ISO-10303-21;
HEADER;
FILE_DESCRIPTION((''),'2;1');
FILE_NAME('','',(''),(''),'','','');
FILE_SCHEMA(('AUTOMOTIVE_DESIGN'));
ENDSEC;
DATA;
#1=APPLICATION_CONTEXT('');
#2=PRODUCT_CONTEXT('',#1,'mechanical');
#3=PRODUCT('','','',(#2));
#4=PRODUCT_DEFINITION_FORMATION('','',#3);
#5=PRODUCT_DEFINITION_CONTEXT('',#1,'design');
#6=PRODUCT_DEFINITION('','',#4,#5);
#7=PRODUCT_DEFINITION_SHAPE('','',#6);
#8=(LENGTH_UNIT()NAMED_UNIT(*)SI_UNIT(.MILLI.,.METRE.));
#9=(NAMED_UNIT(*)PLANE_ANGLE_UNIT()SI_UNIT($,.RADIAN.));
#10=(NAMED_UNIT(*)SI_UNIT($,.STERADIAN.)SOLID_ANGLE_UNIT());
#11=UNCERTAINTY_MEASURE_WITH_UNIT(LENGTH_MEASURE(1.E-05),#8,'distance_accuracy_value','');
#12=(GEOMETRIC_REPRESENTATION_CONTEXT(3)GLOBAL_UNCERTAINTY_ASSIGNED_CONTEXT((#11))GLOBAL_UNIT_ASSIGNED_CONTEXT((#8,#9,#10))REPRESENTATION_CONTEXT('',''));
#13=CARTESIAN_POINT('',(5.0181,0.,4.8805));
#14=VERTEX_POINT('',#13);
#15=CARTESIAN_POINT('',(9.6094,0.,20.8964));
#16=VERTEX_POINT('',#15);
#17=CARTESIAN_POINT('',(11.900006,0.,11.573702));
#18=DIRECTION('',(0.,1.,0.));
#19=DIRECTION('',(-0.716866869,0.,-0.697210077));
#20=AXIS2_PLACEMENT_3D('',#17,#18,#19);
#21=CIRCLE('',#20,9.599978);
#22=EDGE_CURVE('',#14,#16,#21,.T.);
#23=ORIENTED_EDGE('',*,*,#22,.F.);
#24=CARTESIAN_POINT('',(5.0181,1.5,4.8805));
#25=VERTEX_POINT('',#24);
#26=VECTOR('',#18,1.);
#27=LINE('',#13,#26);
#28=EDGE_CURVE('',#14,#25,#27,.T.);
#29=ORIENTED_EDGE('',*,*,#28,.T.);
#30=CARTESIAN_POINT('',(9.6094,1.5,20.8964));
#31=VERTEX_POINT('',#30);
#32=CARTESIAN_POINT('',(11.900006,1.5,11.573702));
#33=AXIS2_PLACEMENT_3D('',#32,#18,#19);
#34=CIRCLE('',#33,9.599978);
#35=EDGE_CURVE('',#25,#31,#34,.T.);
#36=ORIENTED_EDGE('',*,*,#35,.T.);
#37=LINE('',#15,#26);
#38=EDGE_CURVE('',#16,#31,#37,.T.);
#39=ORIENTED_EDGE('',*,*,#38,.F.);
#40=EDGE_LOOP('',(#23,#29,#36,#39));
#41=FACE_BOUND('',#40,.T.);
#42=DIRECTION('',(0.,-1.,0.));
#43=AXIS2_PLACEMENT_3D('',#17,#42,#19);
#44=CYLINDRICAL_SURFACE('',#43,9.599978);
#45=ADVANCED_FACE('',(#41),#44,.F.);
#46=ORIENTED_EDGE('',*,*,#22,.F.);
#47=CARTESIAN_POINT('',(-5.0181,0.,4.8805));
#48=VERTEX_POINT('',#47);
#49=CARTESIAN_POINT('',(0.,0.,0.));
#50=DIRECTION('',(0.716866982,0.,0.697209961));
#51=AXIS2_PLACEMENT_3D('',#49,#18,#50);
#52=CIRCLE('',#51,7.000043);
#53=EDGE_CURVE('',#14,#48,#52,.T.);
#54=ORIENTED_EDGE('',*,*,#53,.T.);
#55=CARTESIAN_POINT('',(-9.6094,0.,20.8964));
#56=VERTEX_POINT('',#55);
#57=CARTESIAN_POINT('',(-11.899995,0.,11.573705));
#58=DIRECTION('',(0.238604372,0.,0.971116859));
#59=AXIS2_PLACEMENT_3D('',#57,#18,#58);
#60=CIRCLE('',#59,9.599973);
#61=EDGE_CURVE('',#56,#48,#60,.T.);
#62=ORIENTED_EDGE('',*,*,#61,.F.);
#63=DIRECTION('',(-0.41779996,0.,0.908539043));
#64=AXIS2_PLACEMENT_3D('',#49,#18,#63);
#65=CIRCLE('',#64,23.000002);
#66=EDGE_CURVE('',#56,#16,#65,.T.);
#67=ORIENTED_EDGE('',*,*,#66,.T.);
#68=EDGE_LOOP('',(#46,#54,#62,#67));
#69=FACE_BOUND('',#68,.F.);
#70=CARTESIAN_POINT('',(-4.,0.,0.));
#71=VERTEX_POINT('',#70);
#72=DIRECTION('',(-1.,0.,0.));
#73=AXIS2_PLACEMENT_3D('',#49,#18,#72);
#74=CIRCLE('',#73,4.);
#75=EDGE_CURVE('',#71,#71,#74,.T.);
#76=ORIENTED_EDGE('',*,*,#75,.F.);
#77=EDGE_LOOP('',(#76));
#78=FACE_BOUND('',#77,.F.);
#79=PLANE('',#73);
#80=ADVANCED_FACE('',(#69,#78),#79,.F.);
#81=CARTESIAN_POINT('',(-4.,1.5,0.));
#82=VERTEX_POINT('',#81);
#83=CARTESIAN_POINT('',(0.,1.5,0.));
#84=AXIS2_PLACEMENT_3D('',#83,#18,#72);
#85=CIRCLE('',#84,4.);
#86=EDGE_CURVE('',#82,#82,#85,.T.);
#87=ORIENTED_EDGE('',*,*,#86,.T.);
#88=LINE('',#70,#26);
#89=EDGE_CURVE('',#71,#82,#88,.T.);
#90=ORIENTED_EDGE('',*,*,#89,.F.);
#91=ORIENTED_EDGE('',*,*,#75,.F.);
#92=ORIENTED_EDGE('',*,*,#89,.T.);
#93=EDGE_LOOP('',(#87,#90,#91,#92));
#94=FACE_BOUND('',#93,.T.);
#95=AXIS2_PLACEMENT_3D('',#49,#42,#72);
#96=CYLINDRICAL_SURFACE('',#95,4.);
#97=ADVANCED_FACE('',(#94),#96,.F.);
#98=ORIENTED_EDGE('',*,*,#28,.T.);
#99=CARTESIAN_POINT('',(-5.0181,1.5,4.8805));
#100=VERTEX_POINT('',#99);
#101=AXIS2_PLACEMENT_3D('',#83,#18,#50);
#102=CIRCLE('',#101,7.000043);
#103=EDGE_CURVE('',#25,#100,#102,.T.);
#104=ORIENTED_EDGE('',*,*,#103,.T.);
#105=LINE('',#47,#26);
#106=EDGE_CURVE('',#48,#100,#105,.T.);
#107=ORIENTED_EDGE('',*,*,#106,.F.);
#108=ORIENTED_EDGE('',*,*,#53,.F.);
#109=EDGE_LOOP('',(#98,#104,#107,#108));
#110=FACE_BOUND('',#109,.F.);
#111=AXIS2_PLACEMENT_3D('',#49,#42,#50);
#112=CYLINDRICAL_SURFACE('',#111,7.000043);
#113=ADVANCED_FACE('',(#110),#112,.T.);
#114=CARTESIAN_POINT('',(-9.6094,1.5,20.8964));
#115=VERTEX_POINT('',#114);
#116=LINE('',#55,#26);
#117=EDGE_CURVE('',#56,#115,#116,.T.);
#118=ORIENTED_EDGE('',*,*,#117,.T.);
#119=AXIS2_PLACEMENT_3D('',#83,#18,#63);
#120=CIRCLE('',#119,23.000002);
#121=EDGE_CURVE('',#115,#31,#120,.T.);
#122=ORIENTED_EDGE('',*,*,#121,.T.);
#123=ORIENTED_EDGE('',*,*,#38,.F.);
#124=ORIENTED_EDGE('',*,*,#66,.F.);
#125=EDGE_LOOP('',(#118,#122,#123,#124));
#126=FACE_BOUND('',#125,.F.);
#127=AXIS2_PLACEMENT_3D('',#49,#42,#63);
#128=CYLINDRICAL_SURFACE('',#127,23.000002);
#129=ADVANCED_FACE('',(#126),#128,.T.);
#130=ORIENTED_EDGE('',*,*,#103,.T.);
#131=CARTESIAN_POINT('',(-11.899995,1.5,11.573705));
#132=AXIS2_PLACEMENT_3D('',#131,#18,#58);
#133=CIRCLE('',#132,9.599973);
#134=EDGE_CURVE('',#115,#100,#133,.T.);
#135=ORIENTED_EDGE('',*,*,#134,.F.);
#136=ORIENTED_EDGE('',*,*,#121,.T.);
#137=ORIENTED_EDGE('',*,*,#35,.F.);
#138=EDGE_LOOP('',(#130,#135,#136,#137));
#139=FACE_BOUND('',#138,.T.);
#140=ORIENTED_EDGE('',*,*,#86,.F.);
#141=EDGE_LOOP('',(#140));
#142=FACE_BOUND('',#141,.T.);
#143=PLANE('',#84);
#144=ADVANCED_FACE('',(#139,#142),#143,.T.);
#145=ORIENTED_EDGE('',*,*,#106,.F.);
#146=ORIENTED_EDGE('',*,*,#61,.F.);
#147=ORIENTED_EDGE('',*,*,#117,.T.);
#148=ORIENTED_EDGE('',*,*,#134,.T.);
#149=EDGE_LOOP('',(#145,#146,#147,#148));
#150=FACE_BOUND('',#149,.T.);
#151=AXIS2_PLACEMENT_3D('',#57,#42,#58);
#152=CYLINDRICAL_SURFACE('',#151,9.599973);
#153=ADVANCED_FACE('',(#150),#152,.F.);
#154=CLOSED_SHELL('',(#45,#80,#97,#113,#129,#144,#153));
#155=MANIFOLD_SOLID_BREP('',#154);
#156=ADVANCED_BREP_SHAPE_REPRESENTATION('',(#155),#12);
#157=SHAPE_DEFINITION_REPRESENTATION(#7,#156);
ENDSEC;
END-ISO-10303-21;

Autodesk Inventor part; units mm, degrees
ref_plane "YZ Plane" through (0, 0, 0) normal (1, 0, 0) x (0, 1, 0)
ref_plane "XZ Plane" through (0, 0, 0) normal (0, 1, 0) x (-1, 0, 0)
ref_plane "XY Plane" through (0, 0, 0) normal (0, 0, 1) x (1, 0, 0)
sketch "Sketch1" plane through (0, 0, 0) normal (0, 1, 0) x (-1, 0, 0)
  circle A0 centre (0, 0) radius 4
  arc A1 (-5.0181, 4.8805) -> (5.0181, 4.8805) centre (0, 0) ccw
  arc A2 (9.6094, 20.8964) -> (-9.6094, 20.8964) centre (0, 0) ccw
  arc A3 (-5.0181, 4.8805) -> (-9.6094, 20.8964) centre (-11.9, 11.5737) ccw
  arc A4 (9.6094, 20.8964) -> (5.0181, 4.8805) centre (11.9, 11.5737) ccw
  line L0 (5.0181, 4.8805) -> (-5.0181, 4.8805)
  dimension "d0" = 8
  dimension "d1" = 14
  dimension "d2" = 46
  dimension "d15" = 9.6
  dimension "d17" = 4.6
extrude "Extrusion3" add sketch "Sketch1" along normal blind 1.5
properties part number "crusher_claw"
